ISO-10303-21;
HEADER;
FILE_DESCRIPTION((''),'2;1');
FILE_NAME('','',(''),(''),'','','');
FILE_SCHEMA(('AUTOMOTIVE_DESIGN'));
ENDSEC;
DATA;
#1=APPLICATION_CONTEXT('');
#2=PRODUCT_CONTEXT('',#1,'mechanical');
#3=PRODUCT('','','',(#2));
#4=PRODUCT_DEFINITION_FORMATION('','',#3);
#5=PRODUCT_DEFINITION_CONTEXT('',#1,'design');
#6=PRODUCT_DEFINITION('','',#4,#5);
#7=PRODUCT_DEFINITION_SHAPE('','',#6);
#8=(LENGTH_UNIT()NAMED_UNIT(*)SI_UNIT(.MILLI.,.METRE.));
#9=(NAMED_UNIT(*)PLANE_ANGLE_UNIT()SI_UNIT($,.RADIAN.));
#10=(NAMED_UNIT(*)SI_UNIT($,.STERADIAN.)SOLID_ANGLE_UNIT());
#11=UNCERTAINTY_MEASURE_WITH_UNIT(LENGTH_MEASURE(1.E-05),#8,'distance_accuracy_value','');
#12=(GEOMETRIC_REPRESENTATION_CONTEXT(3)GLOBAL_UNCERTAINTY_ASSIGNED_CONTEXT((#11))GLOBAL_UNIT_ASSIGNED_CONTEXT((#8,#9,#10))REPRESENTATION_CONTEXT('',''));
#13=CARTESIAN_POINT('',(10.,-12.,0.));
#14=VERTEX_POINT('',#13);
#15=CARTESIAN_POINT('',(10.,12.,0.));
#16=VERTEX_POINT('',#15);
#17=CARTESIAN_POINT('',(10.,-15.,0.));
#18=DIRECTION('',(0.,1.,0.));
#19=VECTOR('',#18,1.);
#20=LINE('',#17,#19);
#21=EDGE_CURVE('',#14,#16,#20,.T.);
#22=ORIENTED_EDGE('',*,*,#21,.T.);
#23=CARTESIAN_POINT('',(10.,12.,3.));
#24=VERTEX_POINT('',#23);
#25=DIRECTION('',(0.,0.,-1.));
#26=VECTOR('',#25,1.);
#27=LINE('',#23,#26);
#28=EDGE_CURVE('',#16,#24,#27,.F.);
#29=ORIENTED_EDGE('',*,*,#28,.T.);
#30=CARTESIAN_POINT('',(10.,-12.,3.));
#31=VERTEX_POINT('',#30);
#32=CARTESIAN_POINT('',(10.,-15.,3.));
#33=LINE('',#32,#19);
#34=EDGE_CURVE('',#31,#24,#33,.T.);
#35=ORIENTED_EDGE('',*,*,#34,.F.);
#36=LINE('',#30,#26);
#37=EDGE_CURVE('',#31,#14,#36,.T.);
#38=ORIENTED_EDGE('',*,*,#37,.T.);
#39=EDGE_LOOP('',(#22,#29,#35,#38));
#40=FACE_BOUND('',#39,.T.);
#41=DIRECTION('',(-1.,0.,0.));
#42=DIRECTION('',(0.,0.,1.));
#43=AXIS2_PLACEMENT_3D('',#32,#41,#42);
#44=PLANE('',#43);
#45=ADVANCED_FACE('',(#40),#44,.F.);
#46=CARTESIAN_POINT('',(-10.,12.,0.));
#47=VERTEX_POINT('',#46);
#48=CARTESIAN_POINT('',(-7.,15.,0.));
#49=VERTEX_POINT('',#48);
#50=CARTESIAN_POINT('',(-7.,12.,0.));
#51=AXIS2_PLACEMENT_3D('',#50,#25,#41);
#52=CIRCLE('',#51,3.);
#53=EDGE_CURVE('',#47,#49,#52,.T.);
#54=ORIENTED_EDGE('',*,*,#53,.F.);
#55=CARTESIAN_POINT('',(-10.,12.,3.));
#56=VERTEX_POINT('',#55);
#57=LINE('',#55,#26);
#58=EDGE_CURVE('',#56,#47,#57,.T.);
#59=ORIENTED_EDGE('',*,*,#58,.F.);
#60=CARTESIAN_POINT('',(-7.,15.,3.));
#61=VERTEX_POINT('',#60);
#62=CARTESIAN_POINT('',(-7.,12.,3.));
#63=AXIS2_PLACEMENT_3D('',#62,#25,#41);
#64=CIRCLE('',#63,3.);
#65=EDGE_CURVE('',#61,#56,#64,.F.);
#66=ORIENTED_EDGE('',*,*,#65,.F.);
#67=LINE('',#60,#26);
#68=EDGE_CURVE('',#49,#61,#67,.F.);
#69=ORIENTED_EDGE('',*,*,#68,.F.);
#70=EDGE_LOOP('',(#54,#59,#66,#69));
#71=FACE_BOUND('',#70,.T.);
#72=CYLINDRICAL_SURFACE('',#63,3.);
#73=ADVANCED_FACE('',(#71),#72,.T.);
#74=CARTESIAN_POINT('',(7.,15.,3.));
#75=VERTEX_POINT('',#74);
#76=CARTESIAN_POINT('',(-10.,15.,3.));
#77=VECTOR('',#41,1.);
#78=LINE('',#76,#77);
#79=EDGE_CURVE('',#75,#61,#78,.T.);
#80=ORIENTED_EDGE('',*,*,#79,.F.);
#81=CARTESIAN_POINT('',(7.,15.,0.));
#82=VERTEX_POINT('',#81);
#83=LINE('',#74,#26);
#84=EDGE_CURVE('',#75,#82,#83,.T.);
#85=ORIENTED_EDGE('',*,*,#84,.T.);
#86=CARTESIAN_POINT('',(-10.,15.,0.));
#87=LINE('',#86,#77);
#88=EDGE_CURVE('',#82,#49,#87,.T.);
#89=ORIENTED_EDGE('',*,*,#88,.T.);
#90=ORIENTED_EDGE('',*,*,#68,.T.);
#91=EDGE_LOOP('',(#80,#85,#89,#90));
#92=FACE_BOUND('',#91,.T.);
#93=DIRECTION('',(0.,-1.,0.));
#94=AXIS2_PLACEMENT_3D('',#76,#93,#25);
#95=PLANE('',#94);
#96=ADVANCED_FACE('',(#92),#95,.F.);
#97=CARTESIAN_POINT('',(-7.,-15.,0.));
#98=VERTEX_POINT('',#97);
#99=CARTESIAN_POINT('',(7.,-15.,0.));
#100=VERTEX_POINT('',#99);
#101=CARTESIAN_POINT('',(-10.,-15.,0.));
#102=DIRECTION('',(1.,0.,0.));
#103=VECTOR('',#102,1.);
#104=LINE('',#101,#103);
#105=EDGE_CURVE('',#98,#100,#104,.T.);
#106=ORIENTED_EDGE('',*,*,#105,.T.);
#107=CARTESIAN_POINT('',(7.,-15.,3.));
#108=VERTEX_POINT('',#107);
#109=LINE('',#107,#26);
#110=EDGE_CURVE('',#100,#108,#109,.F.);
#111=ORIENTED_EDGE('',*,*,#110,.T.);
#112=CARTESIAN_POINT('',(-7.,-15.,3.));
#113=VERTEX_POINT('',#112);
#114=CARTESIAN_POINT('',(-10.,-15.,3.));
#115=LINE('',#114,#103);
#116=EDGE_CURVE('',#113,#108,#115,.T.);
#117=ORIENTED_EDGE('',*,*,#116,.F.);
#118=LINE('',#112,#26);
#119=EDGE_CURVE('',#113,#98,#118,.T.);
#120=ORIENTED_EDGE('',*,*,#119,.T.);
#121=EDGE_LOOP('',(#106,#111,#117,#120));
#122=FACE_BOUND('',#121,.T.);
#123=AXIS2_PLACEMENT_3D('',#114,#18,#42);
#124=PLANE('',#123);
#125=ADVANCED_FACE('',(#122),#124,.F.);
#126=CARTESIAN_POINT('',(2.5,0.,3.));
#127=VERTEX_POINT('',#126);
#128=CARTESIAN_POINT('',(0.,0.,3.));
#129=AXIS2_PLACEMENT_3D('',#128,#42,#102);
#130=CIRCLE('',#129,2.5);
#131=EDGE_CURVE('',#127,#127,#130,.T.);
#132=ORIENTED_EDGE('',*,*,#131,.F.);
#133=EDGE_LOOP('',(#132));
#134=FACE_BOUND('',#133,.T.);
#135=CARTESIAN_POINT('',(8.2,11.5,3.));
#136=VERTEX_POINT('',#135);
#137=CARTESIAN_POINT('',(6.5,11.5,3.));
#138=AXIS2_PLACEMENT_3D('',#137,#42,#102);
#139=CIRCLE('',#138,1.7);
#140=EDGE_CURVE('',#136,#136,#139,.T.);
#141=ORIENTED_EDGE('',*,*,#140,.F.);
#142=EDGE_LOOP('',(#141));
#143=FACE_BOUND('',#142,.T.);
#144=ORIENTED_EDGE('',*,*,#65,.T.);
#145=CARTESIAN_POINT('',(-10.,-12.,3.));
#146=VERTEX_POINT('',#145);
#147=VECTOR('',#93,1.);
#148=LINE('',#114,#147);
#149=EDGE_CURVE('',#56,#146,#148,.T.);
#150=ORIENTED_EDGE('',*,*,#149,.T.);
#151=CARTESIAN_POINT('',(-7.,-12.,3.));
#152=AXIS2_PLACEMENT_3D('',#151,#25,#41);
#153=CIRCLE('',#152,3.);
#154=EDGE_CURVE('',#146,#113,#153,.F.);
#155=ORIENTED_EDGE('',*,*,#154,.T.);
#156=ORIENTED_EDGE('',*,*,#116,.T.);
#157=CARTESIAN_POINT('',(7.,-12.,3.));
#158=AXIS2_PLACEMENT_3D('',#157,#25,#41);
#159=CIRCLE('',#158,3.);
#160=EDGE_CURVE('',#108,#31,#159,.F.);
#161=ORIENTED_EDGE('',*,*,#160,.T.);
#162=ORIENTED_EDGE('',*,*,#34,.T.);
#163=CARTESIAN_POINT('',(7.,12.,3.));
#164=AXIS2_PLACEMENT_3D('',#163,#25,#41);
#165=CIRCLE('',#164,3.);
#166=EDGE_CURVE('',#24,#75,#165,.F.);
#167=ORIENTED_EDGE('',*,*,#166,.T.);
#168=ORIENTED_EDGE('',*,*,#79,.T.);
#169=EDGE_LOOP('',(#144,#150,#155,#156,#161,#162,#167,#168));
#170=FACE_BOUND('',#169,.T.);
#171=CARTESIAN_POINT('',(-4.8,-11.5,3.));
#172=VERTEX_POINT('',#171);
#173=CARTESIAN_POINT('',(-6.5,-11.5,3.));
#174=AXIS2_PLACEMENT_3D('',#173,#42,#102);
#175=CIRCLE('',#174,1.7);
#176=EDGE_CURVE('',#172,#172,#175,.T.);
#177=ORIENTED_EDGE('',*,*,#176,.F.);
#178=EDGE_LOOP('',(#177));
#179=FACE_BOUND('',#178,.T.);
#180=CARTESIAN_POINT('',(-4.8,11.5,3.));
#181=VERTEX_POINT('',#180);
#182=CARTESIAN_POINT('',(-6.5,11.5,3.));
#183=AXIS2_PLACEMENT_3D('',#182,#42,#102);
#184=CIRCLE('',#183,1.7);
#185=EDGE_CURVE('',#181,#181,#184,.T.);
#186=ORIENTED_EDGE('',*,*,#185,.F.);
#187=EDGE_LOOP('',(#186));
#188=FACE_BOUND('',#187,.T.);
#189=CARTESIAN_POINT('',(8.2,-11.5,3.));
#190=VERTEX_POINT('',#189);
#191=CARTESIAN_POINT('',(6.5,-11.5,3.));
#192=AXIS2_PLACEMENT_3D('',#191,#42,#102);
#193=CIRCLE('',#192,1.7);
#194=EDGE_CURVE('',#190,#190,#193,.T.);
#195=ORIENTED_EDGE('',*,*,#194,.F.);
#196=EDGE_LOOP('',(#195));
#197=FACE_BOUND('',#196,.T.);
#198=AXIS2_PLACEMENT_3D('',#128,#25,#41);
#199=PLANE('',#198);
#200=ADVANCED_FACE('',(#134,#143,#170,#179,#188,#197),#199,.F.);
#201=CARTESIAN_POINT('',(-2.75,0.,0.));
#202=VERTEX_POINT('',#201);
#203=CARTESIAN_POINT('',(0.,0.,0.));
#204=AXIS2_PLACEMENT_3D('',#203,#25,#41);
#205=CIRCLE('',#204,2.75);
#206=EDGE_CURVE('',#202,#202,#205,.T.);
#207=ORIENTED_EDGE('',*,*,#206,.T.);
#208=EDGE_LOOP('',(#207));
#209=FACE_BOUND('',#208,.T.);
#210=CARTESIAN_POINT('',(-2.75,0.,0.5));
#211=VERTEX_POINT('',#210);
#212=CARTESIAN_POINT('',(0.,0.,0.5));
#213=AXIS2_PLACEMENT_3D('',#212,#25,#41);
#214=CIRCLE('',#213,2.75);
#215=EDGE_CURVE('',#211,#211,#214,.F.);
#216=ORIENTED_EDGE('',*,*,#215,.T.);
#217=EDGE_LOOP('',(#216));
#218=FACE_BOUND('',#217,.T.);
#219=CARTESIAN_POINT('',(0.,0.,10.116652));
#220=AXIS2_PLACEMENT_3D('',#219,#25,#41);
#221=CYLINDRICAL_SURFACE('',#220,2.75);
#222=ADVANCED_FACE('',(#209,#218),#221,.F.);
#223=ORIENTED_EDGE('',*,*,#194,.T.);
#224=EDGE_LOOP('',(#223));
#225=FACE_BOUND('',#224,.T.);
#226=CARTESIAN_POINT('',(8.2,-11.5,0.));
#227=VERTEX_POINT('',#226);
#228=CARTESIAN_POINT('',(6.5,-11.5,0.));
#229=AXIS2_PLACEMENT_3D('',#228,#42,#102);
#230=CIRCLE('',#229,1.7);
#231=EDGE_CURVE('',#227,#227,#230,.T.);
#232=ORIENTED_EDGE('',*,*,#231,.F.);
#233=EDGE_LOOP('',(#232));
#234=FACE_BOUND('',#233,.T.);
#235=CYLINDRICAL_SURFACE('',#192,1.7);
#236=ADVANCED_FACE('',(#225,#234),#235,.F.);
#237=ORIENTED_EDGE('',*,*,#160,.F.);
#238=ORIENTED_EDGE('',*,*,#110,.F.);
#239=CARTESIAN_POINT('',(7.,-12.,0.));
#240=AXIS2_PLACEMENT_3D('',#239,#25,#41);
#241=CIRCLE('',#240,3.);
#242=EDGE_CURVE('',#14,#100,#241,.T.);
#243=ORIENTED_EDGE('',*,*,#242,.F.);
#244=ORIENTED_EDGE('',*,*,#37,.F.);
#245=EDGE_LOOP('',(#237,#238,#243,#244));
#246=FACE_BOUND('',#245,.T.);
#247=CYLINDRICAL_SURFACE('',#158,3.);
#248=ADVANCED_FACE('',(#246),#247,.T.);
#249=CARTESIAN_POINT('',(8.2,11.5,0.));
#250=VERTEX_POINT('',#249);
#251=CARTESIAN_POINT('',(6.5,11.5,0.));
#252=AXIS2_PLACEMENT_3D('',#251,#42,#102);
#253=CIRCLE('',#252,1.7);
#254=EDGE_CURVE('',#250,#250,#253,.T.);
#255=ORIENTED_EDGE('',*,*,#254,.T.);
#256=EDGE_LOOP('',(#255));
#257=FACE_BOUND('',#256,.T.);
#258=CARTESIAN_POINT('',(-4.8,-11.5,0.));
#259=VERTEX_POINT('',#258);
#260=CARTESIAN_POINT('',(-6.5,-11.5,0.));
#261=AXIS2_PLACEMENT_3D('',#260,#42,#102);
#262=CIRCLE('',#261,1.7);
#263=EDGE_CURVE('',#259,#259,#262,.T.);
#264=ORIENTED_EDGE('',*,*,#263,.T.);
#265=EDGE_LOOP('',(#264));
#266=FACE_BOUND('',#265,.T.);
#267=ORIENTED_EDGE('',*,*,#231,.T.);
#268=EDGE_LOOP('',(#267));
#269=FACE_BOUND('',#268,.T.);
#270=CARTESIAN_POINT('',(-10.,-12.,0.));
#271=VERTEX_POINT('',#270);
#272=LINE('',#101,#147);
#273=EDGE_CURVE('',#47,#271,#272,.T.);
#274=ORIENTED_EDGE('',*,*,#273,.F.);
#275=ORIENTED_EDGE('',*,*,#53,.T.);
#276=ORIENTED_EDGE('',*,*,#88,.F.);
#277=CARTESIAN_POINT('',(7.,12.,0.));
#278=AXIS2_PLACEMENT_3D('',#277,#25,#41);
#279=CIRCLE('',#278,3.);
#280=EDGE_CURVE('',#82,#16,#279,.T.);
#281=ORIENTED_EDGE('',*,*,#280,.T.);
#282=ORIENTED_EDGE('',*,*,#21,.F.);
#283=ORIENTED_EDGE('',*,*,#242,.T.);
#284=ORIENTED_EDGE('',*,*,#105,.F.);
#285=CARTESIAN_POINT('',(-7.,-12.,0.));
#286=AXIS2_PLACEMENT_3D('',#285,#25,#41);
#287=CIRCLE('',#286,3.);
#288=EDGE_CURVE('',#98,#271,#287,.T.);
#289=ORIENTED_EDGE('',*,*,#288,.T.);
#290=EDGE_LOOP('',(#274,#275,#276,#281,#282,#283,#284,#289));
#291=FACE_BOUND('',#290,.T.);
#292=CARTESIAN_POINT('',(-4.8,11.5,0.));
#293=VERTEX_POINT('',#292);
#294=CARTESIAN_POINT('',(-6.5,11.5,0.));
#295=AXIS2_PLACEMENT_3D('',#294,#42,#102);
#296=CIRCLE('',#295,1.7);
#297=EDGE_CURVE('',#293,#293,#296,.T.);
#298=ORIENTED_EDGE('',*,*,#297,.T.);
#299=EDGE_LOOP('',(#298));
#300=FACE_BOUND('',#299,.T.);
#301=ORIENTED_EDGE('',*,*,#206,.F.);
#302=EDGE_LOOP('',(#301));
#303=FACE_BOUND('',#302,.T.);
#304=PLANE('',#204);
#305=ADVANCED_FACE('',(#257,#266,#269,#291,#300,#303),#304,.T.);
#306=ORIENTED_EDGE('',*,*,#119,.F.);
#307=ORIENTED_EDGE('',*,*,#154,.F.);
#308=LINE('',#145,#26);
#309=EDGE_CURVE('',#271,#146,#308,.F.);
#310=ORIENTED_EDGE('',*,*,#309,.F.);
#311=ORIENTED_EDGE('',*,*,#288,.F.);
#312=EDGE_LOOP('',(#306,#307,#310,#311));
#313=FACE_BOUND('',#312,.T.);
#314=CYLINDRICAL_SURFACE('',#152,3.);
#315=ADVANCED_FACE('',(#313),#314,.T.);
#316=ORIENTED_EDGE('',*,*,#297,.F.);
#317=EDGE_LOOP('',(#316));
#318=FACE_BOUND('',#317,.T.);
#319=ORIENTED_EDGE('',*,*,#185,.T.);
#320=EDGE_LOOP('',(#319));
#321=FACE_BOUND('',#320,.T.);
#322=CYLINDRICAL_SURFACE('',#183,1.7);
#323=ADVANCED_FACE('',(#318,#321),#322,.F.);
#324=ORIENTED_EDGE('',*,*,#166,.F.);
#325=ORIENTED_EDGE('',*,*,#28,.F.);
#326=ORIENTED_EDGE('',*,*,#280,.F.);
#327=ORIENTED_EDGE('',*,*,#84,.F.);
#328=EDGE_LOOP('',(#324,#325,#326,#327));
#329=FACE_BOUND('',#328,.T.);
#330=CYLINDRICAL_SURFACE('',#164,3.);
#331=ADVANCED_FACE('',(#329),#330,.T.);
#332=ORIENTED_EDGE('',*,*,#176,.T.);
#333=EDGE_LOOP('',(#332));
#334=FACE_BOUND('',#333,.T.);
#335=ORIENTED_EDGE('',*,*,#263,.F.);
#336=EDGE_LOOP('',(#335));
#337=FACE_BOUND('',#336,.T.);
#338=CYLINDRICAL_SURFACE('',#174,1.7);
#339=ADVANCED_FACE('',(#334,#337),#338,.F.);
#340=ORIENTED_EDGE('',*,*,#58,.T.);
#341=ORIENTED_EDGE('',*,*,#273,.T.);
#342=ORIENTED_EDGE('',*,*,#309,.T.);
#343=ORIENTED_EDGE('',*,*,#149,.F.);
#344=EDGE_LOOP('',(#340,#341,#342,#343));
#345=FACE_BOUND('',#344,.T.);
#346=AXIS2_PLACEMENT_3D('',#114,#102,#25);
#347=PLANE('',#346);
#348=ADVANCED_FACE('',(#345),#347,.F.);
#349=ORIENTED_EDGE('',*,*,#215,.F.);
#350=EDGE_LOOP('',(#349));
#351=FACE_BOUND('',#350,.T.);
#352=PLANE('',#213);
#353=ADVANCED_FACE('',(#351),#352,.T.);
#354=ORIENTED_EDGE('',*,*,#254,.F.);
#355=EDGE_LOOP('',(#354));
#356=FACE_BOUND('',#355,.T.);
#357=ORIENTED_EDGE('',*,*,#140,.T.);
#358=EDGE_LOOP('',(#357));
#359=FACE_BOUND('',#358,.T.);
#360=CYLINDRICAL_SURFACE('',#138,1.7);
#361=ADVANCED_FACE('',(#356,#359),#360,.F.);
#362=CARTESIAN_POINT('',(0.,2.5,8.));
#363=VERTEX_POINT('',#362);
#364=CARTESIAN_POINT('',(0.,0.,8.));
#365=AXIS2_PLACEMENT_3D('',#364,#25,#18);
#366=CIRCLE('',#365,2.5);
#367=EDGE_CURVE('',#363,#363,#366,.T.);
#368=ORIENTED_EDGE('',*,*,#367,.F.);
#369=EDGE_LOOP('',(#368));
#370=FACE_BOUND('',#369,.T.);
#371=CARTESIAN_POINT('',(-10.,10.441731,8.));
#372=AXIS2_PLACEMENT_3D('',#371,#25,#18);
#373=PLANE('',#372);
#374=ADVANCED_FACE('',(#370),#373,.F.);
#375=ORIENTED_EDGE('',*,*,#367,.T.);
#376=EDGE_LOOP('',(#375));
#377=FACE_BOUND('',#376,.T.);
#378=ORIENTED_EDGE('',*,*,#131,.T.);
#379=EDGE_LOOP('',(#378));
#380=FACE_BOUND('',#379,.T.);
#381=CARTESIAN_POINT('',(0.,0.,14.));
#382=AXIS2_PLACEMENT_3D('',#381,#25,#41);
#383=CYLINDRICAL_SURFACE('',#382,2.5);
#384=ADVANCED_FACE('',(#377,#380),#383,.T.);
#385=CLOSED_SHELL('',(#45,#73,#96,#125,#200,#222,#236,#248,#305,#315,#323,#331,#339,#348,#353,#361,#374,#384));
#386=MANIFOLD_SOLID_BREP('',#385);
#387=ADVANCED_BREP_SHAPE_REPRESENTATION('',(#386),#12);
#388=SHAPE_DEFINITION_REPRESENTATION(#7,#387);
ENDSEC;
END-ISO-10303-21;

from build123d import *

# Parameters (mm, degrees)
SKETCH1_W                  = 20
SKETCH1_H                  = 30
BOSS_EXTRUDE1_DEPTH        = 3
F_3_4_3_4_DIAMETER_HOLE1_D = 3.4
SKETCH5_R                  = 3.4
CUT_EXTRUDE1_DEPTH         = 0.5
FILLET1_R                  = 3
SKETCH7_W                  = 8
SKETCH7_H                  = 15
BOSS_EXTRUDE3_DEPTH        = 11
CUT_EXTRUDE3_DEPTH         = 25.839484697
CUT_EXTRUDE3_DEPTH_BACK    = 25.839484697
SKETCH11_OUTSIDE_W         = 29.736
SKETCH11_OUTSIDE_H         = 39.736
SKETCH11_OUTSIDE_R         = 2.5
CUT_EXTRUDE4_DEPTH         = 22.118712082
SKETCH12_W                 = 7.43023475
SKETCH12_H                 = 21.108621448
CUT_EXTRUDE5_DEPTH         = 29.653097564
SKETCH13_R                 = 3.4
SKETCH13_R_2               = 2.75
BOSS_EXTRUDE4_DEPTH        = 0.5


with BuildPart() as part:
    # Sketch1 → Boss-Extrude1 (new body)
    with BuildSketch(Plane.XY):
        Rectangle(SKETCH1_W, SKETCH1_H)
    extrude(amount=BOSS_EXTRUDE1_DEPTH)

    # Ø3.4 (3.4) Diameter Hole1 (through all)
    with Locations(Plane.XY.offset(3)):
        with Locations((-6.5, 11.5), (6.5, 11.5), (6.5, -11.5), (-6.5, -11.5)):
            Hole(F_3_4_3_4_DIAMETER_HOLE1_D / 2)

    # Sketch5 → Cut-Extrude1 (cut)
    with BuildSketch(Plane(origin=(0, 0, 0), x_dir=(-1, 0, 0), z_dir=(0, 0, -1))):
        Circle(SKETCH5_R)
    extrude(amount=-CUT_EXTRUDE1_DEPTH, mode=Mode.SUBTRACT)

    # Fillet1
    fillet1_edges = [part.edges().sort_by_distance(p)[0] for p in [
        (10, -15, 1.5),
        (-10, -15, 1.5),
        (-10, 15, 1.5),
        (10, 15, 1.5),
    ]]
    fillet(fillet1_edges, radius=FILLET1_R)

    # Sketch7 → Boss-Extrude3 (add)
    with BuildSketch(Plane.XY.offset(3)):
        Rectangle(SKETCH7_W, SKETCH7_H)
    extrude(amount=BOSS_EXTRUDE3_DEPTH)

    # Sketch8 → Cut-Extrude3 (cut, two sides: drawn at the far end of the back side and taken through both)
    with BuildSketch(Plane(origin=(4, 0, 0), x_dir=(0, 0, -1), z_dir=(1, 0, 0)).offset(-CUT_EXTRUDE3_DEPTH_BACK)):
        Polygon((-14, -6), (-14, -7), (-13.133974596, -6.5), align=None)
        Polygon((-13.133974596, -7.5), (-14, -7), (-14, -7.5), align=None)
        Polygon((-14, -5), (-14, -6), (-13.133974596, -5.5), align=None)
        Polygon((-14, -4), (-14, -5), (-13.133974596, -4.5), align=None)
        Polygon((-14, -3), (-14, -4), (-13.133974596, -3.5), align=None)
        Polygon((-14, 7), (-13.133974596, 7.5), (-14, 7.5), align=None)
        Polygon((-14, -2), (-14, -3), (-13.133974596, -2.5), align=None)
        Polygon((-13.133974596, 6.5), (-14, 7), (-14, 6), align=None)
        Polygon((-14, -1), (-14, -2), (-13.133974596, -1.5), align=None)
        Polygon((-13.133974596, 5.5), (-14, 6), (-14, 5), align=None)
        Polygon((-14, 0), (-14, -1), (-13.133974596, -0.5), align=None)
        Polygon((-13.133974596, 4.5), (-14, 5), (-14, 4), align=None)
        Polygon((-14, 1), (-14, 0), (-13.133974596, 0.5), align=None)
        Polygon((-13.133974596, 3.5), (-14, 4), (-14, 3), align=None)
        Polygon((-14, 2), (-14, 1), (-13.133974596, 1.5), align=None)
        Polygon((-13.133974596, 2.5), (-14, 3), (-14, 2), align=None)
    extrude(amount=CUT_EXTRUDE3_DEPTH + CUT_EXTRUDE3_DEPTH_BACK, mode=Mode.SUBTRACT)

    # Sketch11 outside → Cut-Extrude4 (cut, through all)
    with BuildSketch(Plane.XY.offset(3)):
        Rectangle(SKETCH11_OUTSIDE_W, SKETCH11_OUTSIDE_H)
        Circle(SKETCH11_OUTSIDE_R, mode=Mode.SUBTRACT)
    extrude(amount=CUT_EXTRUDE4_DEPTH, mode=Mode.SUBTRACT)

    # Sketch12 → Cut-Extrude5 (cut, through all)
    with BuildSketch(Plane(origin=(10, 0, 0), x_dir=(0, 0, -1), z_dir=(1, 0, 0))):
        with Locations((-11.715117375, -0.112579314)):
            Rectangle(SKETCH12_W, SKETCH12_H)
    extrude(amount=-CUT_EXTRUDE5_DEPTH, mode=Mode.SUBTRACT)

    # Sketch13 → Boss-Extrude4 (add)
    with BuildSketch(Plane(origin=(0, 0, 0), x_dir=(-1, 0, 0), z_dir=(0, 0, -1))):
        Circle(SKETCH13_R)
        Circle(SKETCH13_R_2, mode=Mode.SUBTRACT)
    extrude(amount=-BOSS_EXTRUDE4_DEPTH)


solid = part.part
